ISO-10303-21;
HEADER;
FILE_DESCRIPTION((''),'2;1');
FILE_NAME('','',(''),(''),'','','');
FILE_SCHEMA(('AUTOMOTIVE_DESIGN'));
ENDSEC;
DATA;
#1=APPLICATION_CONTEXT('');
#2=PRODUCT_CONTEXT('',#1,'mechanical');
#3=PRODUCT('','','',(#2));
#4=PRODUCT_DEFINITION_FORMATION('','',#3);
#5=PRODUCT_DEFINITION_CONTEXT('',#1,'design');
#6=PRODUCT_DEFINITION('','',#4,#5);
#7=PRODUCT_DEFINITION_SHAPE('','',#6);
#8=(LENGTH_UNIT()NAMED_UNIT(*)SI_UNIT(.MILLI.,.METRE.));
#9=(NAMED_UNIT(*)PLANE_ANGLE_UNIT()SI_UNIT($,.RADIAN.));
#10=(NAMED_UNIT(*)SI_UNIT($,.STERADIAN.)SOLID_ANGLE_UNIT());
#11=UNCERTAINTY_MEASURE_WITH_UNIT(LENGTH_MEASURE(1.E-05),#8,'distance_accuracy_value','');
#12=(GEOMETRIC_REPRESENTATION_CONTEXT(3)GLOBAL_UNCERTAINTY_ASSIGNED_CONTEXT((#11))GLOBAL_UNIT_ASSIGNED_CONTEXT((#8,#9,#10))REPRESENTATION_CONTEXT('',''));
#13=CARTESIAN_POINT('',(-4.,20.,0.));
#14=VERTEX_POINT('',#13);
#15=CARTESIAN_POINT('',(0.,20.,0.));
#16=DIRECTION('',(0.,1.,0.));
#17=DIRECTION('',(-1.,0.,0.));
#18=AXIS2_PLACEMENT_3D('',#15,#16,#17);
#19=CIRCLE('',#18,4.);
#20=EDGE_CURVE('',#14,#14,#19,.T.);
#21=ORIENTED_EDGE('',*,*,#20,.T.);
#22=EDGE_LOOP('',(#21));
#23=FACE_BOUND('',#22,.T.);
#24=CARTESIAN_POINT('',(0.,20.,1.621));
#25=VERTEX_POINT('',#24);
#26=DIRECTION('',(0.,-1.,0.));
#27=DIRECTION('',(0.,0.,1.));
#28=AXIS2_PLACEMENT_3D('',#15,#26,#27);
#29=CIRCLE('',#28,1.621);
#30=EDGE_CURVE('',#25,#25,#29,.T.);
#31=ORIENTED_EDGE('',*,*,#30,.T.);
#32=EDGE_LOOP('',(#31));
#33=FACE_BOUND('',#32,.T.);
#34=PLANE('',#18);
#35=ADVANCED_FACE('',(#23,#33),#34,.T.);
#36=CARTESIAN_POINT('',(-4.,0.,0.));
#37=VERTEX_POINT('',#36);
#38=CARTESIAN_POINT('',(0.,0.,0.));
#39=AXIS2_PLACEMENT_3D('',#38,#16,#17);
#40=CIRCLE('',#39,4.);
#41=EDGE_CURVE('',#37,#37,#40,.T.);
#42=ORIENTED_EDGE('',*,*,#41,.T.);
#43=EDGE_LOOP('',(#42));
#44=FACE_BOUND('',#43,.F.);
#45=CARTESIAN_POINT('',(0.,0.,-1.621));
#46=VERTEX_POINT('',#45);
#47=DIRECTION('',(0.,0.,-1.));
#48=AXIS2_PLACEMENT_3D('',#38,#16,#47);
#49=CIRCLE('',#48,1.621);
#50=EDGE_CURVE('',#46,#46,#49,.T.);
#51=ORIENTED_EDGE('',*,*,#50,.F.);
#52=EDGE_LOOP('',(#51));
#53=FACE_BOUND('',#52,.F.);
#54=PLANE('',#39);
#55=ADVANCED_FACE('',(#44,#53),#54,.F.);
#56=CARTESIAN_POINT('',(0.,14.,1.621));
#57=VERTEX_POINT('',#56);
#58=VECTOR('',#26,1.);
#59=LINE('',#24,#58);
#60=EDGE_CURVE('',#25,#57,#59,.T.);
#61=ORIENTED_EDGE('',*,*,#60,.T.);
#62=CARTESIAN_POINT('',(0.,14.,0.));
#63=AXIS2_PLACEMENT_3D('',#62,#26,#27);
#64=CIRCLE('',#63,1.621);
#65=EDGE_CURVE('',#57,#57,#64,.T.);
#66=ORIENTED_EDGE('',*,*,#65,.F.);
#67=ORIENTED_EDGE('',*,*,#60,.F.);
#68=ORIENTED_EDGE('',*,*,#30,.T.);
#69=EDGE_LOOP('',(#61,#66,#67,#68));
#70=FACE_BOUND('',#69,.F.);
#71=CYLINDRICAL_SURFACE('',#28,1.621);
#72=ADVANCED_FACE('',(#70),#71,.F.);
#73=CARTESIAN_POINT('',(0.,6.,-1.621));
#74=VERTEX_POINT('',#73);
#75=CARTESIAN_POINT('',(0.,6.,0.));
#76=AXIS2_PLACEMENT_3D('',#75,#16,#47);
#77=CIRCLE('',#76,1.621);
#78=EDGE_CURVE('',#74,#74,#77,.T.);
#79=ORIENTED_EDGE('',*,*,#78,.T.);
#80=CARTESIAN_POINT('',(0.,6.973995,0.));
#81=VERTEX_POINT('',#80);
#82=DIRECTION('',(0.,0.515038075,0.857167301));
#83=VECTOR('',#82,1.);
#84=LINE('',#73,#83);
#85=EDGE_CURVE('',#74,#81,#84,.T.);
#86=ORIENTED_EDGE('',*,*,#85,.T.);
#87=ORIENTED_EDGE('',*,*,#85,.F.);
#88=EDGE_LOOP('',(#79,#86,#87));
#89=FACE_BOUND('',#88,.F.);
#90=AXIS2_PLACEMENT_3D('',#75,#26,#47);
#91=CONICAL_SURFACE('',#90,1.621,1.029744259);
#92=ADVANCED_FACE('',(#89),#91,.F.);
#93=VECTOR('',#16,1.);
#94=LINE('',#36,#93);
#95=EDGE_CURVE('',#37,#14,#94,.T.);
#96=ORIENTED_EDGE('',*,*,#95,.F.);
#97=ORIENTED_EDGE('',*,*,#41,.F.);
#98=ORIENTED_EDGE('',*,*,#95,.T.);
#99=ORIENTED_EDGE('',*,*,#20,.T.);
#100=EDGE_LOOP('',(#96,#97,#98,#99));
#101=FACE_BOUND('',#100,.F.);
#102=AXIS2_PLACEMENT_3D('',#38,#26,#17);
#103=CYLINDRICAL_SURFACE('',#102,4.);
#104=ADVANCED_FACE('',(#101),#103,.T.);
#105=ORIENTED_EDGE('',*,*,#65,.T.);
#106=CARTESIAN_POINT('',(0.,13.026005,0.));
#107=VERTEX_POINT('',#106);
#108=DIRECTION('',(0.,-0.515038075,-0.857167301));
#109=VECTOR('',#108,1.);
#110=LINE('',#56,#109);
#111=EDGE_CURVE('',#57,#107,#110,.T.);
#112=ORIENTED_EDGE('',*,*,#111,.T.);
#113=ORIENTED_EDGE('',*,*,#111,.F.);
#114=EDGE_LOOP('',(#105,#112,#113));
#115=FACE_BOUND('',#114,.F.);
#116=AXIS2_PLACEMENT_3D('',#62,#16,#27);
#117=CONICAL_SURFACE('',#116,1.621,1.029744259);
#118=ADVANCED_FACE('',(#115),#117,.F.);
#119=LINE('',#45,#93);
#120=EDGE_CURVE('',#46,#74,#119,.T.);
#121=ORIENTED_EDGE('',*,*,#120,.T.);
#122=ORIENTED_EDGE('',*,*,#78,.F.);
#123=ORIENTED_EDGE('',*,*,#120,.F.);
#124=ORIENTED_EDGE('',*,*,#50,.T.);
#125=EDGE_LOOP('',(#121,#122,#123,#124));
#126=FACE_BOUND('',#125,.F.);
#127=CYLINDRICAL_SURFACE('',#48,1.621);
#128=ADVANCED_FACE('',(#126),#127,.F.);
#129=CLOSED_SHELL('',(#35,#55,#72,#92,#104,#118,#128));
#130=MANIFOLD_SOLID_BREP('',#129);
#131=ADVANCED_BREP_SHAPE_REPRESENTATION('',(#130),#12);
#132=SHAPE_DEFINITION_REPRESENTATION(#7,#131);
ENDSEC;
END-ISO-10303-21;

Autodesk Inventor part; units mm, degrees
ref_plane "YZ Plane" through (0, 0, 0) normal (1, 0, 0) x (0, 1, 0)
ref_plane "XZ Plane" through (0, 0, 0) normal (0, 1, 0) x (-1, 0, 0)
ref_plane "XY Plane" through (0, 0, 0) normal (0, 0, 1) x (1, 0, 0)
sketch "スケッチ1" plane through (0, 0, 0) normal (0, 1, 0) x (-1, 0, 0)
  circle A0 centre (0, 0) radius 4
  dimension "d0" = 8
extrude "押し出し1" add sketch "スケッチ1" along normal blind 20
sketch "スケッチ2" plane through (0, 20, 0) normal (0, 1, 0) x (1, 0, 0)
  point P0 (0, 0)
  point P1 (0, 0)
hole "穴1" at (0, 20, 0) direction (0, -1, 0) diameter 3.242 depth 6 tip angle 118 thread size "M4x0.7" class "6H" standard "ISO Metric profile"
sketch "スケッチ3" plane through (0, 0, 0) normal (0, -1, 0) x (1, 0, 0)
  circle A0 centre (0, 0) radius 1.621 projected
hole "穴2" at (0, 0, 0) direction (0, 1, 0) diameter 3.242 depth 6 tip angle 118 thread size "M4x0.7" class "6H" standard "ISO Metric profile"
properties part number "base_part3" material "アルミニウム 6061"
